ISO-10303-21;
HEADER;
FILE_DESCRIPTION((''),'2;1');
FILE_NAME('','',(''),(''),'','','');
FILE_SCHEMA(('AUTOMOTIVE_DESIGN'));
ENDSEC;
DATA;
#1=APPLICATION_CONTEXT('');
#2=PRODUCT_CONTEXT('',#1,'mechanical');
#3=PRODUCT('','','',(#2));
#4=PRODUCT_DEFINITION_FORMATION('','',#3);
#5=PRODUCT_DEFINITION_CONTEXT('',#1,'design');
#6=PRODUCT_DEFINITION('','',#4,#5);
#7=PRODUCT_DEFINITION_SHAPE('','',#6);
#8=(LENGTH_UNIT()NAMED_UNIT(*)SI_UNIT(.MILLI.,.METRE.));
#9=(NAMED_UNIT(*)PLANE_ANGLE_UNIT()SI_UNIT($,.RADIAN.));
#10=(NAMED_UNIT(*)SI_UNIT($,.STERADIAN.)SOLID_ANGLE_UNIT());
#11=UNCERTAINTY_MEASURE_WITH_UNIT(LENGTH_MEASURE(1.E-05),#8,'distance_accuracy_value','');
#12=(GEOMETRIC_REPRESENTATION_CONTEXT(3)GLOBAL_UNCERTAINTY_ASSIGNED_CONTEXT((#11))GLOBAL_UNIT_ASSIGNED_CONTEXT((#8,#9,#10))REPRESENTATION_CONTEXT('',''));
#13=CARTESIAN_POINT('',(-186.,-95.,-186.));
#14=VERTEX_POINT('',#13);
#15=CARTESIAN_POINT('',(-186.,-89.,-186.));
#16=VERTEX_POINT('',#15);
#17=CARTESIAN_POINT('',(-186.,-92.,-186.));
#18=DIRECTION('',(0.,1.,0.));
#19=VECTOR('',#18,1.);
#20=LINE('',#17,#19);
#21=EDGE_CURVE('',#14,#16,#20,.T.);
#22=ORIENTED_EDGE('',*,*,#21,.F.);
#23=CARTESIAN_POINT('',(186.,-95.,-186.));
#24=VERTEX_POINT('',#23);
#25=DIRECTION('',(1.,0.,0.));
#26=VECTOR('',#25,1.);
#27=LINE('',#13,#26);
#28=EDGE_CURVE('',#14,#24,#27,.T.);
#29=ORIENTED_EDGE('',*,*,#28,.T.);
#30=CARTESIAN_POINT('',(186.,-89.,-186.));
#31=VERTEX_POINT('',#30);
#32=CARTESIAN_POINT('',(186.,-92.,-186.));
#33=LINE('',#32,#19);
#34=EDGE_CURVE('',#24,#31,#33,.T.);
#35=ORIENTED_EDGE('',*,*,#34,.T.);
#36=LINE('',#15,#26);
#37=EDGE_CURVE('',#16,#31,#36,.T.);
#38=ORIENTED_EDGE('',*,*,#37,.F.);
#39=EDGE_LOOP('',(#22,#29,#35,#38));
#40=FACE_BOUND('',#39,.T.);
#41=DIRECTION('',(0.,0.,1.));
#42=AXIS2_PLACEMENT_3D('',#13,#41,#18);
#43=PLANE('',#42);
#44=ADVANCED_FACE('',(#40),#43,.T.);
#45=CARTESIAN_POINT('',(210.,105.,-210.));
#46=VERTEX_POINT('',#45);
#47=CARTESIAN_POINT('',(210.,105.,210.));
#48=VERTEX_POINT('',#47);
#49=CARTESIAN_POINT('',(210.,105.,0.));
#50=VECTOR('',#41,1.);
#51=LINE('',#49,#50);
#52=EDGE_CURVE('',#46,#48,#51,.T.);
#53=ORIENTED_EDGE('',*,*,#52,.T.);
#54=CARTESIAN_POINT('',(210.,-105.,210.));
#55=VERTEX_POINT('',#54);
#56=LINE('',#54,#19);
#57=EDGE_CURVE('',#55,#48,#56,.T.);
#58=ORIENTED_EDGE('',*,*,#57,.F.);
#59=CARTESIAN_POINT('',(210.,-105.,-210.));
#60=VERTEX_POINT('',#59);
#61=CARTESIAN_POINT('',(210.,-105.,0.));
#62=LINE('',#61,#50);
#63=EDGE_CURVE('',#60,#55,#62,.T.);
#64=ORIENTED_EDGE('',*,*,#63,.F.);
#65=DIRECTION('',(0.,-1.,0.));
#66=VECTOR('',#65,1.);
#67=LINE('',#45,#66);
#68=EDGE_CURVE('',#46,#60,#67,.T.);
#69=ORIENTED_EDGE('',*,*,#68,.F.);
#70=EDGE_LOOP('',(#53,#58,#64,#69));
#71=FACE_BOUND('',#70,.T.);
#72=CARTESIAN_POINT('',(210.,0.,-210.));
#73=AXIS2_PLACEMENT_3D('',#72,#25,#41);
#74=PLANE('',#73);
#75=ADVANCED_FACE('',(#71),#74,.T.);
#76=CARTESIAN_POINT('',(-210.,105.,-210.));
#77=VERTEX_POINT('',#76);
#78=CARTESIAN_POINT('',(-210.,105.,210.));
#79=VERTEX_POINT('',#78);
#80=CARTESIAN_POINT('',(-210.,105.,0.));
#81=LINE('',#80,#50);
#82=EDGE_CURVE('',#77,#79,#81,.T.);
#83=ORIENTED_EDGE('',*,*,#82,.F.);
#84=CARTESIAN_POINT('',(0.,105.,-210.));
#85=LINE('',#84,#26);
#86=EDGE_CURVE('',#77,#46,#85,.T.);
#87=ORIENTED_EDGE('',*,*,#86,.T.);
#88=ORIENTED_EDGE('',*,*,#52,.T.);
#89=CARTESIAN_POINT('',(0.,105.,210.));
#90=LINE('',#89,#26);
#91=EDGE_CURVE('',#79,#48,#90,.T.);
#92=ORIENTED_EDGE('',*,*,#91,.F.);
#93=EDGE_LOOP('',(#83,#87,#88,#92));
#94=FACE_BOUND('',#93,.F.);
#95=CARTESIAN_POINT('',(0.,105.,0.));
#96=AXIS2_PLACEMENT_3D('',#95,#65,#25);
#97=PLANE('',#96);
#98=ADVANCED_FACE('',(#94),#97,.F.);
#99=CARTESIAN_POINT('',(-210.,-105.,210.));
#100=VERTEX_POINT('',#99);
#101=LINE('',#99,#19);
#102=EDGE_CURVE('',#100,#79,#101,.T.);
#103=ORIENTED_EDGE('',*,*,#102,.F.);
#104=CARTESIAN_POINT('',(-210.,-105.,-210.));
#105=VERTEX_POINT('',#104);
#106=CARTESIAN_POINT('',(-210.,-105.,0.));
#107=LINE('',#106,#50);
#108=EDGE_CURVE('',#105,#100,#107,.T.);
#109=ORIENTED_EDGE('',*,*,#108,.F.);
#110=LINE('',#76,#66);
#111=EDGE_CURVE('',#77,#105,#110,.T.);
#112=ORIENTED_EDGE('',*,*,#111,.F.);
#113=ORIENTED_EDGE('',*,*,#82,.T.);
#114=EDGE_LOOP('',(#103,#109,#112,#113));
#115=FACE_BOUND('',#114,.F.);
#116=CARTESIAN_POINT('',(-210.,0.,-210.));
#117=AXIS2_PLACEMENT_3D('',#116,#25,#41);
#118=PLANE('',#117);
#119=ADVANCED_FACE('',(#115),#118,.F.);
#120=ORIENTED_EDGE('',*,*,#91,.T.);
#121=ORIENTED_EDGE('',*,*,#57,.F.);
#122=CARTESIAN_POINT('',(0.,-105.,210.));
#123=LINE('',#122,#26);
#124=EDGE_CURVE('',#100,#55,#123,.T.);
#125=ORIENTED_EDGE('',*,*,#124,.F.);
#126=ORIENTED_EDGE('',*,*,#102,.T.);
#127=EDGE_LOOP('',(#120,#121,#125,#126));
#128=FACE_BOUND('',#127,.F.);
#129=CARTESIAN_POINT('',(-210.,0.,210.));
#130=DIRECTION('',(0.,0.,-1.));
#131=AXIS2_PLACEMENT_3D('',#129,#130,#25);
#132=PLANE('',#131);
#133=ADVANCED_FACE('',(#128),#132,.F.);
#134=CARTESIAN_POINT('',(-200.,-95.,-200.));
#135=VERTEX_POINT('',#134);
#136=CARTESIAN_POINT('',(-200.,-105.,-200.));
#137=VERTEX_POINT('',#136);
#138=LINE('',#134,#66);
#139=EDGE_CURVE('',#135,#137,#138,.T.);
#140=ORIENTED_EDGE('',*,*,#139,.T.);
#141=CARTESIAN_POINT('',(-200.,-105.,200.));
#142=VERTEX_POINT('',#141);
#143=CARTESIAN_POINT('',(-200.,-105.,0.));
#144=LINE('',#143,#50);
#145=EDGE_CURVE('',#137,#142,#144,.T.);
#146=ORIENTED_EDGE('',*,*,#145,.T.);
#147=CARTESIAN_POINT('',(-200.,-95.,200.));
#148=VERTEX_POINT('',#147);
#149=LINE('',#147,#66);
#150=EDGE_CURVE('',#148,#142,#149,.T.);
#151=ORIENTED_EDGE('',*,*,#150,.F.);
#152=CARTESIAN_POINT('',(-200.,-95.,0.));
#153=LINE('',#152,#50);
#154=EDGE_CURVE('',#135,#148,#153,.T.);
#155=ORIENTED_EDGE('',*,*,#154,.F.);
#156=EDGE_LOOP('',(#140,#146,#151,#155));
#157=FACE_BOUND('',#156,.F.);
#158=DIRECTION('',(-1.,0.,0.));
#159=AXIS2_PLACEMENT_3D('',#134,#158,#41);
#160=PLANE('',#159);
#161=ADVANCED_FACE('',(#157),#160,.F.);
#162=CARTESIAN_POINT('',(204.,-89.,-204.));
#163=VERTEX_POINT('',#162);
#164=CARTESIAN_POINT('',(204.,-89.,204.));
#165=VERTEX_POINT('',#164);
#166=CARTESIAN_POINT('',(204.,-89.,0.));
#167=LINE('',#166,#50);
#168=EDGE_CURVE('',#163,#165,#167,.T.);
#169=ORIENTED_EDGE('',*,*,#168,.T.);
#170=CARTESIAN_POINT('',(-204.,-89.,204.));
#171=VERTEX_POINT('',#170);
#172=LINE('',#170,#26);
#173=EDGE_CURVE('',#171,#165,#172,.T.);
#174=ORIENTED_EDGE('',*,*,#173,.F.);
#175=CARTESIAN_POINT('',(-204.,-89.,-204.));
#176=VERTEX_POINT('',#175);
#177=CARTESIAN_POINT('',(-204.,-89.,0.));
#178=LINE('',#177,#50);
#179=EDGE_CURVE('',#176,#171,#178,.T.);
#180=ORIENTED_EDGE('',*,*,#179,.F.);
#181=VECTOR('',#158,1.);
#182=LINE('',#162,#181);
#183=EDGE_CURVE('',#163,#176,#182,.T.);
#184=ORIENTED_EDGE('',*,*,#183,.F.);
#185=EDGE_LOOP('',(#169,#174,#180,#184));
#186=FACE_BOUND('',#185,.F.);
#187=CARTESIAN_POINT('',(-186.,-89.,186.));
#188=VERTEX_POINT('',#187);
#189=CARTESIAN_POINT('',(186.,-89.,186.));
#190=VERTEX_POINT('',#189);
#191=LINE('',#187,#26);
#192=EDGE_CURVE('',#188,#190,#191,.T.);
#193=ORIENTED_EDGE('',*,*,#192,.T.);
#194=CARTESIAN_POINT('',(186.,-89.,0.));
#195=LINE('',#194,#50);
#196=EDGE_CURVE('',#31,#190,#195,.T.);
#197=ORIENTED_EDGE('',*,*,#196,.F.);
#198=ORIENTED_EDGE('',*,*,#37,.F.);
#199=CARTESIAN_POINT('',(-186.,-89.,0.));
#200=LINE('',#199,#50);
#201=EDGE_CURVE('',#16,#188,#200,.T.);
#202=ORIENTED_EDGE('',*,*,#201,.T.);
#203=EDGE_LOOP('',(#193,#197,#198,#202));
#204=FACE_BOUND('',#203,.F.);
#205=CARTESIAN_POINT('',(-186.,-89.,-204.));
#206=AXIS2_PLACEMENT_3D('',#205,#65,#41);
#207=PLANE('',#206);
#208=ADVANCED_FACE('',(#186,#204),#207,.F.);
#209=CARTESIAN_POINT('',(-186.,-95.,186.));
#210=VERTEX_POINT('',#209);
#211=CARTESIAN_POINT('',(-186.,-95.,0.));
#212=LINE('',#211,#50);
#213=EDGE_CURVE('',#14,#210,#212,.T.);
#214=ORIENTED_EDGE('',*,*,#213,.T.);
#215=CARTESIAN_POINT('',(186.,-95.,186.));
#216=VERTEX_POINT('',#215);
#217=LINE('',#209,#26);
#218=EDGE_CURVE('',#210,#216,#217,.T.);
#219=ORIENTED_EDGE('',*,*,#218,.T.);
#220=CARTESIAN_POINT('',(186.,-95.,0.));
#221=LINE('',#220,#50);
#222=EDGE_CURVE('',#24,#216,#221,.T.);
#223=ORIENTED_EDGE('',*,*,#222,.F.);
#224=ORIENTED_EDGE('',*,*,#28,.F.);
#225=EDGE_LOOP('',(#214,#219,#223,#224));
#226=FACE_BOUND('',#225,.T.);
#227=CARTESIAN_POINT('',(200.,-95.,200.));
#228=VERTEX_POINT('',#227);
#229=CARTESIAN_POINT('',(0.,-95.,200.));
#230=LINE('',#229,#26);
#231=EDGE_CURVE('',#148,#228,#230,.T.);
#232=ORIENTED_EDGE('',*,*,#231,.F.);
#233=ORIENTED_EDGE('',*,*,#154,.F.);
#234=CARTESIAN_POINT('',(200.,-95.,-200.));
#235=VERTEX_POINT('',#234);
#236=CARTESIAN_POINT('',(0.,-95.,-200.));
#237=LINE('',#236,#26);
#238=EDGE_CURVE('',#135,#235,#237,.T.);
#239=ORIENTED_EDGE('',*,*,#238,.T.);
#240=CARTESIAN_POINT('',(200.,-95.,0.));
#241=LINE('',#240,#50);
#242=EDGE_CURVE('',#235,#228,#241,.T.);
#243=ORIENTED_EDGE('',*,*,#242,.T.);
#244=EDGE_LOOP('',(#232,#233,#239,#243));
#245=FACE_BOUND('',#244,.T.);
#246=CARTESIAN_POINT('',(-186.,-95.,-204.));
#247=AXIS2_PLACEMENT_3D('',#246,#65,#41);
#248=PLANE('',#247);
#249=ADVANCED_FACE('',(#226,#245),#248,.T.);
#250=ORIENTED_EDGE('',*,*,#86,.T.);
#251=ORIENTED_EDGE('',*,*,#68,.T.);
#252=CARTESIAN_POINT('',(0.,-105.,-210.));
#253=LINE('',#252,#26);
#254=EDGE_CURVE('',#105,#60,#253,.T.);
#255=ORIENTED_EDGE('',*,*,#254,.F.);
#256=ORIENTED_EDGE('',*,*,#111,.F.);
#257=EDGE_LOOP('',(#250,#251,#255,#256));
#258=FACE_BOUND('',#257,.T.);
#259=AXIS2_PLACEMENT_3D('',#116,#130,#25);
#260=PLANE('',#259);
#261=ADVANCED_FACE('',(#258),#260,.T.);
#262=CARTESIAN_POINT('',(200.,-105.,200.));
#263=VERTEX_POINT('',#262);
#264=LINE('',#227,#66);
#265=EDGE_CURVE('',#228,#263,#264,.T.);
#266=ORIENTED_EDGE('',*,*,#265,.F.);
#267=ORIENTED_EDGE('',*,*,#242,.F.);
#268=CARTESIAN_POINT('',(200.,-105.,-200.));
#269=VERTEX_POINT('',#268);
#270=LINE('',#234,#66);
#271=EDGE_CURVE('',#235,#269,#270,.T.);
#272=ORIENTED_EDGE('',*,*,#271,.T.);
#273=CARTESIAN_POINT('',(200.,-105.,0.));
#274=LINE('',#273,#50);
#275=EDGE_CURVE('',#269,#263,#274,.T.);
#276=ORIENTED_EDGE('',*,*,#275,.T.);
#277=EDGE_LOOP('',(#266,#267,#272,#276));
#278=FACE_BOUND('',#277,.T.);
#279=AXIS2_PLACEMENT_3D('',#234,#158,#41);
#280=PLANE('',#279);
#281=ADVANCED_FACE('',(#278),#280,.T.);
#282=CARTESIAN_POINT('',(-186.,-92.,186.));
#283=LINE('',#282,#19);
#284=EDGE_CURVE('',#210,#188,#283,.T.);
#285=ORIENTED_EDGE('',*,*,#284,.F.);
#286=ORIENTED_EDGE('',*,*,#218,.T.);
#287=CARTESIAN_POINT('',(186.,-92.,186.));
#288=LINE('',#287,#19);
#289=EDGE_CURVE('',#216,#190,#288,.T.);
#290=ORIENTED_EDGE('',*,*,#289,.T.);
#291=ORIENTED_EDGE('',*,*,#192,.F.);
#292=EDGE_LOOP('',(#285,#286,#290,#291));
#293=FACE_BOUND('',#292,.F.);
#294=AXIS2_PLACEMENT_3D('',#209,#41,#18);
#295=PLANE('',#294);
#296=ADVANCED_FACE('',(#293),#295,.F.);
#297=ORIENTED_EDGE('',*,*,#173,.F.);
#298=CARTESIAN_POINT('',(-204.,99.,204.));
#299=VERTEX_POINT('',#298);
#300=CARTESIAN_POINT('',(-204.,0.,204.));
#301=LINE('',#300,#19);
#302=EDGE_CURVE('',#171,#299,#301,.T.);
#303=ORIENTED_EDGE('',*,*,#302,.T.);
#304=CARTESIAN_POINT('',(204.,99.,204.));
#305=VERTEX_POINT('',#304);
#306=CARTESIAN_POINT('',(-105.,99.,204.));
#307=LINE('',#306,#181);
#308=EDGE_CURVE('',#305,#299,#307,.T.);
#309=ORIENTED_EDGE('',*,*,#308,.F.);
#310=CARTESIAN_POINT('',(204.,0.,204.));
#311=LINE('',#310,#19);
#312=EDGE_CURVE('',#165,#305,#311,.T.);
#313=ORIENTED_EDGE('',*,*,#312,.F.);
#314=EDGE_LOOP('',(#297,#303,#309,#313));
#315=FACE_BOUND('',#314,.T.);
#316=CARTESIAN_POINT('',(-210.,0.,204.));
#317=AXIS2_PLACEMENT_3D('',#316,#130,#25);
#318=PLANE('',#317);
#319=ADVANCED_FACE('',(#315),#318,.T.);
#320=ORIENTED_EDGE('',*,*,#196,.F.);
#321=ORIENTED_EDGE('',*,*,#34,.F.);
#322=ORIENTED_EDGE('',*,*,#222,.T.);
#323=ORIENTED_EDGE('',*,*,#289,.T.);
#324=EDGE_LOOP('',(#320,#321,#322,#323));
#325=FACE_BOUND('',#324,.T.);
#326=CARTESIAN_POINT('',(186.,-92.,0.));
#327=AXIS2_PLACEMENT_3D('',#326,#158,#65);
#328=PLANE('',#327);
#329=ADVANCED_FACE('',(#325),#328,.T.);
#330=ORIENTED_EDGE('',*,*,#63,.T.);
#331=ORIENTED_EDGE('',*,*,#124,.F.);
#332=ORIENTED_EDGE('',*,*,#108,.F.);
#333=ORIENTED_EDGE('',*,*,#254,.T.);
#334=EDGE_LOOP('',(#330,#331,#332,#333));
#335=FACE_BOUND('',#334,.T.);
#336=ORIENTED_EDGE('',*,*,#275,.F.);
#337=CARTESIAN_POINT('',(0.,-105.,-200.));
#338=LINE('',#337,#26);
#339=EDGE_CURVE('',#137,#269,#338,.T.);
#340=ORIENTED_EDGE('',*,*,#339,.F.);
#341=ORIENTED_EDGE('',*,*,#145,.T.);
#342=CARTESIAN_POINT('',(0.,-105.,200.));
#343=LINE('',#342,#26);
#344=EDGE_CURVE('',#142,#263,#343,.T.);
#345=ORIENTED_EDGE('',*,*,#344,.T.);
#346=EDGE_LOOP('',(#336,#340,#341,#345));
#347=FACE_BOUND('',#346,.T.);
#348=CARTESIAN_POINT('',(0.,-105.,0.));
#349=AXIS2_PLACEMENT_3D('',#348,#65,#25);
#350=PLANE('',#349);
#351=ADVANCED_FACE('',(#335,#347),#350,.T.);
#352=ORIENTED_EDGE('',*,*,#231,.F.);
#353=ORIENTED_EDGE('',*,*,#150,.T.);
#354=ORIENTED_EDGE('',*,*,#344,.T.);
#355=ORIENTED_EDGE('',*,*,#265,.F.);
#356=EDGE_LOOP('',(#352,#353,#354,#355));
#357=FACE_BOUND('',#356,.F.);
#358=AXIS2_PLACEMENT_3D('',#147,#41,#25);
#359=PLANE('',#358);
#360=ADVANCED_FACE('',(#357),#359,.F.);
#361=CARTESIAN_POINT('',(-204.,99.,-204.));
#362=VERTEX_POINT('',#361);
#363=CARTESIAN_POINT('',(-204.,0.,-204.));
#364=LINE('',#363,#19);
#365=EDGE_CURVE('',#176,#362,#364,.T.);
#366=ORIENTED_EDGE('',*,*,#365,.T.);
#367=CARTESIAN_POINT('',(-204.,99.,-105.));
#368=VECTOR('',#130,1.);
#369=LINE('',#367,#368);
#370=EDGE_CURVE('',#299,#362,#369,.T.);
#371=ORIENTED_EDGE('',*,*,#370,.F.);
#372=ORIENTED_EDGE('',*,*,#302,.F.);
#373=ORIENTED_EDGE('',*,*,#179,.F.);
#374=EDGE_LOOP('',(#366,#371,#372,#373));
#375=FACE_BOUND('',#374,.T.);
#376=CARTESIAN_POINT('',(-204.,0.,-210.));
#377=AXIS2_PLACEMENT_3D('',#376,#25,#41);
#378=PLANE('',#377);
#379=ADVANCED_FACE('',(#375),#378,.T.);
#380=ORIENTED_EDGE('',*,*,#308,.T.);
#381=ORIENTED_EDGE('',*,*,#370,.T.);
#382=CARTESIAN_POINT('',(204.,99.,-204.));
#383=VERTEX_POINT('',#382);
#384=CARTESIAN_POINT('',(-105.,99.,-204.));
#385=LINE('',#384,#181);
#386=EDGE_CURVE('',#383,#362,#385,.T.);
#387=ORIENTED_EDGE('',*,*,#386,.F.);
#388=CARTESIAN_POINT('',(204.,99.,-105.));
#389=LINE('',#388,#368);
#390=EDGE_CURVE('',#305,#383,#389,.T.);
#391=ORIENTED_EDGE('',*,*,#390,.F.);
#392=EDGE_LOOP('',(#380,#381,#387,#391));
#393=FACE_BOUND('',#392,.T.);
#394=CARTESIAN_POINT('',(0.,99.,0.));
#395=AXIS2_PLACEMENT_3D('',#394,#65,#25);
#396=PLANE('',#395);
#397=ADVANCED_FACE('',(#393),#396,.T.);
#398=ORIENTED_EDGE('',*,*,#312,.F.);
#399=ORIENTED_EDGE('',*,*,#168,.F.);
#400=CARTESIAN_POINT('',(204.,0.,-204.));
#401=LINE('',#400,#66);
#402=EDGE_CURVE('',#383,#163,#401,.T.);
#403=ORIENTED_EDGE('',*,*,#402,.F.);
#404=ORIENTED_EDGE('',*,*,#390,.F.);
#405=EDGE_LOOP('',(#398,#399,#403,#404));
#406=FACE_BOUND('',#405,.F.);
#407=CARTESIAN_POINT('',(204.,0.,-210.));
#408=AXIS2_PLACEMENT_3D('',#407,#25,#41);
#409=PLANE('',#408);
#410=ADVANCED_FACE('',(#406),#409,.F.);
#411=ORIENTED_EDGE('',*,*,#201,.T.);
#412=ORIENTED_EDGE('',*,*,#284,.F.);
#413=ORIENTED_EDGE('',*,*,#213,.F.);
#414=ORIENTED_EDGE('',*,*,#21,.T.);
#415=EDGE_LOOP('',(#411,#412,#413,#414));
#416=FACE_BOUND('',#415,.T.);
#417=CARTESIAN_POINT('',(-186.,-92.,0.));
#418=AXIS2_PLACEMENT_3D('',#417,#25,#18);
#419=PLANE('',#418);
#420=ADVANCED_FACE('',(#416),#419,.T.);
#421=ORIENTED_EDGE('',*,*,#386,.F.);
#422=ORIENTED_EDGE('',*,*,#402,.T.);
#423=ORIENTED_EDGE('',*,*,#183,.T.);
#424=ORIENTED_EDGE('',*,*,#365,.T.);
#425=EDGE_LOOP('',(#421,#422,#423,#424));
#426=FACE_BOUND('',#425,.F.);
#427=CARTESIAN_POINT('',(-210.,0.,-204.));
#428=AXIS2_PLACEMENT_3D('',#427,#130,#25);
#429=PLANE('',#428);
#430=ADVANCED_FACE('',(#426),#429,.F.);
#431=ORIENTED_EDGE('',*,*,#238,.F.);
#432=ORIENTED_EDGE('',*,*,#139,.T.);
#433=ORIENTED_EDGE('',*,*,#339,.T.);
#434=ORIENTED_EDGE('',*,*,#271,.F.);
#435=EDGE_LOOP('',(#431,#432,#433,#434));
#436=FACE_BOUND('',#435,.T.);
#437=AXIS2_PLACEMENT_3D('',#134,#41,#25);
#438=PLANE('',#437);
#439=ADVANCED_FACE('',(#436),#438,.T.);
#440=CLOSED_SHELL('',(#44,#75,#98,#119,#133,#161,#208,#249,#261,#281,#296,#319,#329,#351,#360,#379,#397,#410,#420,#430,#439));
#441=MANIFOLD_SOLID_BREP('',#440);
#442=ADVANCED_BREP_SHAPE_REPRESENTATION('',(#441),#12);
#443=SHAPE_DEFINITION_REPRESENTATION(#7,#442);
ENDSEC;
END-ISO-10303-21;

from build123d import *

# Parameters (mm, degrees)
F0_W      = 420
F0_H      = 420
F1_DEPTH  = 105
F2_T      = -6
F3_W      = 6
F3_H      = 408
F4_DEPTH  = 18
F5_W      = 6
F5_H      = 408
F6_DEPTH  = 18
F7_W      = 6
F7_H      = 18
F8_DEPTH  = 372
F9_W      = 6
F9_H      = 18
F10_DEPTH = 372
F11_W     = 408
F11_H     = 408
F11_W_2   = 400
F11_H_2   = 400
F12_DEPTH = 10


with BuildPart() as f1:
    # F0 (on Front) → F1 (new body, symmetric)
    with BuildSketch(Plane.XZ):
        Rectangle(F0_W, F0_H)
    extrude(amount=F1_DEPTH, both=True)

    # F2
    f2_openings = [f1.faces().sort_by_distance(p)[0] for p in [
        (0, -105, 0),
    ]]
    offset(amount=F2_T, openings=f2_openings)

    # F3 (on face) → F4 (join)
    with BuildSketch(Plane.YZ.offset(-204)):
        with Locations((-92, 0)):
            Rectangle(F3_W, F3_H)
    extrude(amount=F4_DEPTH)

    # F5 (on face) → F6 (join)
    with BuildSketch(Plane(origin=(204, 0, 0), x_dir=(0, -1, 0), z_dir=(-1, 0, 0))):
        with Locations((92, 0)):
            Rectangle(F5_W, F5_H)
    extrude(amount=F6_DEPTH)

    # F7 (on face) → F8 (join, through all)
    with BuildSketch(Plane.YZ.offset(-186)):
        with Locations((-92, 195)):
            Rectangle(F7_W, F7_H)
    extrude(amount=F8_DEPTH)

    # F9 (on face) → F10 (join, through all)
    with BuildSketch(Plane.YZ.offset(-186)):
        with Locations((-92, -195)):
            Rectangle(F9_W, F9_H)
    extrude(amount=F10_DEPTH)

    # F11 (on face) → F12 (join)
    with BuildSketch(Plane.XZ.offset(95)):
        Rectangle(F11_W, F11_H)
        Rectangle(F11_W_2, F11_H_2, mode=Mode.SUBTRACT)
    extrude(amount=F12_DEPTH)


solid = f1.part
